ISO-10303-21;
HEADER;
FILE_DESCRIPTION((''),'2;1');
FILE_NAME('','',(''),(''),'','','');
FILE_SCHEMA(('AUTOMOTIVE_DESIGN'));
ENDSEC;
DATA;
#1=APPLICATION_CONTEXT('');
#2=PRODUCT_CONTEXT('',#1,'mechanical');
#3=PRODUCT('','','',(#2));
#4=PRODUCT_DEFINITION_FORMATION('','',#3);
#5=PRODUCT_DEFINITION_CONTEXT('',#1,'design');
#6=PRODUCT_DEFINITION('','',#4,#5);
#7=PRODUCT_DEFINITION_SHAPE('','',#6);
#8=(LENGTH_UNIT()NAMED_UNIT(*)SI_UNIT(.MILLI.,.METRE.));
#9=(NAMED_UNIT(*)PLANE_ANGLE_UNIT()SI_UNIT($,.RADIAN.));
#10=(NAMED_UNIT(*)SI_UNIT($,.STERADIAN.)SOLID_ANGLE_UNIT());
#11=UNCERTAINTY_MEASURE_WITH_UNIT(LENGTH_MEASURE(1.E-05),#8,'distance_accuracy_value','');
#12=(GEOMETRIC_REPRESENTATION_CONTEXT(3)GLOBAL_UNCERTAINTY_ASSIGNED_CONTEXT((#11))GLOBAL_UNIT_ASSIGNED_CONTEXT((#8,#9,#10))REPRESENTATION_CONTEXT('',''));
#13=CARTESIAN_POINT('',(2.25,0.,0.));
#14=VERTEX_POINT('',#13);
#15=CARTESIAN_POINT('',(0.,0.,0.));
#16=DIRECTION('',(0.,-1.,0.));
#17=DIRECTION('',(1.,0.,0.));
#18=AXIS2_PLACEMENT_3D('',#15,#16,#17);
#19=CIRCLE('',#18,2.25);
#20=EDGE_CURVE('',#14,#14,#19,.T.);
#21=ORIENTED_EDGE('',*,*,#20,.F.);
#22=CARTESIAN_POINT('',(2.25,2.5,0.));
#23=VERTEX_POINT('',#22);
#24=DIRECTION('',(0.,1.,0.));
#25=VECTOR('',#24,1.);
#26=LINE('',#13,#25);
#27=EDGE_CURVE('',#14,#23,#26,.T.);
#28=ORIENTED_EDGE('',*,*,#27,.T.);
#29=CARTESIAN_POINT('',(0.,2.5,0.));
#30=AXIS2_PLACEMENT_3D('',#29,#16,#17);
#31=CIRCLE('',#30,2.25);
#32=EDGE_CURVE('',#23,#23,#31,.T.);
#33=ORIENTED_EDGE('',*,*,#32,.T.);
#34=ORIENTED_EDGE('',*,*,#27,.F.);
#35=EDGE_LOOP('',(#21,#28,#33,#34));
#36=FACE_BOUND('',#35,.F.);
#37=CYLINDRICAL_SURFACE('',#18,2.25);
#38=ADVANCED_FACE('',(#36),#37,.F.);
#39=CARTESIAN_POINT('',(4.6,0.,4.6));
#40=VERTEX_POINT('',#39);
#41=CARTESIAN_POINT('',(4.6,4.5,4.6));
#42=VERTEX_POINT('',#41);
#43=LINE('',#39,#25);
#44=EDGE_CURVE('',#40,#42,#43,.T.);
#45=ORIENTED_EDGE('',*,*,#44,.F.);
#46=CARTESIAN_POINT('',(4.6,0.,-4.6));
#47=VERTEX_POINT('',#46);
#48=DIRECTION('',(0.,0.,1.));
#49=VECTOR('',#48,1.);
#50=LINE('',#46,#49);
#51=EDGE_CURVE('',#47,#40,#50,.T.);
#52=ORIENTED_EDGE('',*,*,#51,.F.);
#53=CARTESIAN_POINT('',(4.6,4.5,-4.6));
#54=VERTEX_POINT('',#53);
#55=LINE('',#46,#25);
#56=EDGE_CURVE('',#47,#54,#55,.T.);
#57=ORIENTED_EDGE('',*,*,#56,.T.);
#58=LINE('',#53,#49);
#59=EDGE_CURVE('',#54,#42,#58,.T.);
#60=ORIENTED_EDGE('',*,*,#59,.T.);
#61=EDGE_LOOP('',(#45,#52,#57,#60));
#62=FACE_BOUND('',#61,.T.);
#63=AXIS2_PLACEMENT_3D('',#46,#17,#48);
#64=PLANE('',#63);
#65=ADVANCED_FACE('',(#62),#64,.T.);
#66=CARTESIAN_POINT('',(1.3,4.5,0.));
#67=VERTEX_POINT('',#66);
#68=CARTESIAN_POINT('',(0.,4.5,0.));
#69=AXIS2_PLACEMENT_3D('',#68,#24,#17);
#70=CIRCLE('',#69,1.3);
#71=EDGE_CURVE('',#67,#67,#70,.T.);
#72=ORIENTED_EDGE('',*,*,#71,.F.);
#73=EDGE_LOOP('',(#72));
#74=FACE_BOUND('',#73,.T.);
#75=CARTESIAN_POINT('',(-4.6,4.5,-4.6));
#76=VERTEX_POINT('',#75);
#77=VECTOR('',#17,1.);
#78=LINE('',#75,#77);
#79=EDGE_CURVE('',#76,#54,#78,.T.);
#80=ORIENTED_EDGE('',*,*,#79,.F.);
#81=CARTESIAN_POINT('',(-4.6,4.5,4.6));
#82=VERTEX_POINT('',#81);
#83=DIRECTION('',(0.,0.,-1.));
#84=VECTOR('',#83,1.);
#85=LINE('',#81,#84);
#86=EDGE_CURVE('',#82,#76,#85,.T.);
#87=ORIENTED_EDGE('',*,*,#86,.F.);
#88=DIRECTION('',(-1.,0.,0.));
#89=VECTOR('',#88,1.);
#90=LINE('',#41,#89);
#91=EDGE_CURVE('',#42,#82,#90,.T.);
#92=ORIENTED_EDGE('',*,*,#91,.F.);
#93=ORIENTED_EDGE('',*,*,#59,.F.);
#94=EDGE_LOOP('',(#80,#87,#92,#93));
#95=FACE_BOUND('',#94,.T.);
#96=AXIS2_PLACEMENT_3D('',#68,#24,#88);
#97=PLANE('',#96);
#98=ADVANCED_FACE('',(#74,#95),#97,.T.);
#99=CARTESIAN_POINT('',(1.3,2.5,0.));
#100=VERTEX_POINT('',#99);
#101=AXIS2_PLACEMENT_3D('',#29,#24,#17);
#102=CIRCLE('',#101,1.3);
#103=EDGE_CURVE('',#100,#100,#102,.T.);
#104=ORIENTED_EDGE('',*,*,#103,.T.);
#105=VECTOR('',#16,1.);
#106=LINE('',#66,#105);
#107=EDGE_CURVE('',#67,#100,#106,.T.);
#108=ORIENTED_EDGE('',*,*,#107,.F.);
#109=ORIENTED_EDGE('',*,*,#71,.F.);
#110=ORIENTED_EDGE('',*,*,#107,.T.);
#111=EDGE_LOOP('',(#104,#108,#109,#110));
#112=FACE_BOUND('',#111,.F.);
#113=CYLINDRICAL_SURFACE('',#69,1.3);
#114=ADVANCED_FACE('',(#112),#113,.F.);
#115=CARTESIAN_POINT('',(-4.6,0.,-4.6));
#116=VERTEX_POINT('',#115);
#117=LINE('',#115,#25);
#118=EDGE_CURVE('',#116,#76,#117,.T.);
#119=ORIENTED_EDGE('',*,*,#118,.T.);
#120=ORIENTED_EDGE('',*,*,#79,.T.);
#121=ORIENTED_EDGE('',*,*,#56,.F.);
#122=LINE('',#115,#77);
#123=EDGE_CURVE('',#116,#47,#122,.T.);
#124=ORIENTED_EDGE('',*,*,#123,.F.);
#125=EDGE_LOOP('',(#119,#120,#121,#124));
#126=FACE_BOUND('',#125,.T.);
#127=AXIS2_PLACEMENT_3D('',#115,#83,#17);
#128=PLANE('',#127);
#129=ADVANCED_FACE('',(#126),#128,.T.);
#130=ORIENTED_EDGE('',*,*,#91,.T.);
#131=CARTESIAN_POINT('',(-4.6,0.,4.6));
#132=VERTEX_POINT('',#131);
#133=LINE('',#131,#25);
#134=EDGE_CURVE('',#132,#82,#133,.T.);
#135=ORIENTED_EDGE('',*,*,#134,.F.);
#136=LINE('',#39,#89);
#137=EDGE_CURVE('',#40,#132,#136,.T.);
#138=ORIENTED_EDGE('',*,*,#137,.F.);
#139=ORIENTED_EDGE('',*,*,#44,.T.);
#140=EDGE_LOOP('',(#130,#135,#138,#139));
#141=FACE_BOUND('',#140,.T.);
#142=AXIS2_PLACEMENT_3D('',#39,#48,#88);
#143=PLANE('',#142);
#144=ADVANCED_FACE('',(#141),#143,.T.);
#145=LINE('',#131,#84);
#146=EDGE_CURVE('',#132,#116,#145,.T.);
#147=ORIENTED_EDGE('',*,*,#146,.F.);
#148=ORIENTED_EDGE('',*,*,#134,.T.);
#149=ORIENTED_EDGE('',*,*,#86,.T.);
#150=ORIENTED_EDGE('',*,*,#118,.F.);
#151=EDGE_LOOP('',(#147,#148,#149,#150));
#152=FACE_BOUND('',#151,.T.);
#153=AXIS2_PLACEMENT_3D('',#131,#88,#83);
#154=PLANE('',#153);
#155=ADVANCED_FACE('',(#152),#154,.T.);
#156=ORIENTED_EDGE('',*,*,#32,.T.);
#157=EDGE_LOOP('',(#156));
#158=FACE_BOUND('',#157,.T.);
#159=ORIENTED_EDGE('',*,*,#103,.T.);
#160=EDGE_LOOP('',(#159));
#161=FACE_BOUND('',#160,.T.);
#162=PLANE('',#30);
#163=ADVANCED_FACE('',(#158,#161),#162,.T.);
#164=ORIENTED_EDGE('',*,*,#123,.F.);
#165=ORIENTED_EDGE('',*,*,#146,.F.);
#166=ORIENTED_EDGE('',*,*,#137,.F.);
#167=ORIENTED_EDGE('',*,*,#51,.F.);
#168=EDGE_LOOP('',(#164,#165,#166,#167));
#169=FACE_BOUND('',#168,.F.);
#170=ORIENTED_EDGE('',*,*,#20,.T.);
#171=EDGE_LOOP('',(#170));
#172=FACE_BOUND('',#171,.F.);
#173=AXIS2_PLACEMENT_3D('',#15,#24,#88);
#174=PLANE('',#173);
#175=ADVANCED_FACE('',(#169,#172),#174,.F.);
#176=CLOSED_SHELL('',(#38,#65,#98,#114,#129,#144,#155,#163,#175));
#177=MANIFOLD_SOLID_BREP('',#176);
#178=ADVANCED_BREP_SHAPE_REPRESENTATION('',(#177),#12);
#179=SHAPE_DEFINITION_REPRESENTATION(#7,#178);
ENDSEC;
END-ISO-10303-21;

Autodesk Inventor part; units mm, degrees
ref_plane "YZ Plane" through (0, 0, 0) normal (1, 0, 0) x (0, 1, 0)
ref_plane "XZ Plane" through (0, 0, 0) normal (0, 1, 0) x (-1, 0, 0)
ref_plane "XY Plane" through (0, 0, 0) normal (0, 0, 1) x (1, 0, 0)
sketch "Sketch1" plane through (0, 0, 0) normal (0, 1, 0) x (-1, 0, 0)
  line L0 (-4.6, 4.6) -> (4.6, 4.6)
  line L1 (4.6, 4.6) -> (4.6, -4.6)
  line L2 (4.6, -4.6) -> (-4.6, -4.6)
  line L3 (-4.6, -4.6) -> (-4.6, 4.6)
  point P0 (0, 0)
  dimension "d0" = 9.2
  dimension "d1" = 9.2
  dimension "d2" = 4.6
  dimension "d3" = 4.6
extrude "Extrusion1" add sketch "Sketch1" along normal blind 4.5
sketch "Sketch3" plane through (0, 0, 0) normal (0, -1, 0) x (1, 0, 0)
  line L0 (-4.6, 4.6) -> (4.6, -4.6) construction
  line L1 (4.6, 4.6) -> (-4.6, -4.6) construction
  circle A0 centre (0, 0) radius 2.25
  point P0 (0, 0)
  point P1 (0, 0)
  dimension "d13" = 4.5
sketch "Sketch4" plane through (0, 4.5, 0) normal (0, 1, 0) x (1, 0, 0)
  circle A0 centre (0, 0) radius 1.3
  dimension "d10" = 2.6
extrude "Extrusion3" cut sketch "Sketch4" against normal blind 2
extrude "Extrusion4" cut sketch "Sketch3" against normal blind 2.5
equation "\"d0\" = 2 * BoltTrace"
equation "\"d1\" = d0"
equation "\"d2\" = 0.5 * d1"
equation "\"d3\" = 0.5 * d0"
equation "\"d4\" = ClassicThickness"
equation "\"d13\" = ServoHeadScrewTrace"
equation "\"d10\" = ServoScrewDiameterRequired"
equation "\"d11\" = MinimalThickness"
equation "\"d14\" = ServoHeadScrewThickness"
equation "\"BoltTrace\" = 4.6"
equation "\"ClassicThickness\" = 4.5"
equation "\"ServoHeadScrewTrace\" = 4.5"
equation "\"ServoScrewDiameterRequired\" = 2.6"
equation "\"MinimalThickness\" = 2"
equation "\"ServoHeadScrewThickness\" = 2.5"
properties part number "ClassicScrewHeadTrace"
